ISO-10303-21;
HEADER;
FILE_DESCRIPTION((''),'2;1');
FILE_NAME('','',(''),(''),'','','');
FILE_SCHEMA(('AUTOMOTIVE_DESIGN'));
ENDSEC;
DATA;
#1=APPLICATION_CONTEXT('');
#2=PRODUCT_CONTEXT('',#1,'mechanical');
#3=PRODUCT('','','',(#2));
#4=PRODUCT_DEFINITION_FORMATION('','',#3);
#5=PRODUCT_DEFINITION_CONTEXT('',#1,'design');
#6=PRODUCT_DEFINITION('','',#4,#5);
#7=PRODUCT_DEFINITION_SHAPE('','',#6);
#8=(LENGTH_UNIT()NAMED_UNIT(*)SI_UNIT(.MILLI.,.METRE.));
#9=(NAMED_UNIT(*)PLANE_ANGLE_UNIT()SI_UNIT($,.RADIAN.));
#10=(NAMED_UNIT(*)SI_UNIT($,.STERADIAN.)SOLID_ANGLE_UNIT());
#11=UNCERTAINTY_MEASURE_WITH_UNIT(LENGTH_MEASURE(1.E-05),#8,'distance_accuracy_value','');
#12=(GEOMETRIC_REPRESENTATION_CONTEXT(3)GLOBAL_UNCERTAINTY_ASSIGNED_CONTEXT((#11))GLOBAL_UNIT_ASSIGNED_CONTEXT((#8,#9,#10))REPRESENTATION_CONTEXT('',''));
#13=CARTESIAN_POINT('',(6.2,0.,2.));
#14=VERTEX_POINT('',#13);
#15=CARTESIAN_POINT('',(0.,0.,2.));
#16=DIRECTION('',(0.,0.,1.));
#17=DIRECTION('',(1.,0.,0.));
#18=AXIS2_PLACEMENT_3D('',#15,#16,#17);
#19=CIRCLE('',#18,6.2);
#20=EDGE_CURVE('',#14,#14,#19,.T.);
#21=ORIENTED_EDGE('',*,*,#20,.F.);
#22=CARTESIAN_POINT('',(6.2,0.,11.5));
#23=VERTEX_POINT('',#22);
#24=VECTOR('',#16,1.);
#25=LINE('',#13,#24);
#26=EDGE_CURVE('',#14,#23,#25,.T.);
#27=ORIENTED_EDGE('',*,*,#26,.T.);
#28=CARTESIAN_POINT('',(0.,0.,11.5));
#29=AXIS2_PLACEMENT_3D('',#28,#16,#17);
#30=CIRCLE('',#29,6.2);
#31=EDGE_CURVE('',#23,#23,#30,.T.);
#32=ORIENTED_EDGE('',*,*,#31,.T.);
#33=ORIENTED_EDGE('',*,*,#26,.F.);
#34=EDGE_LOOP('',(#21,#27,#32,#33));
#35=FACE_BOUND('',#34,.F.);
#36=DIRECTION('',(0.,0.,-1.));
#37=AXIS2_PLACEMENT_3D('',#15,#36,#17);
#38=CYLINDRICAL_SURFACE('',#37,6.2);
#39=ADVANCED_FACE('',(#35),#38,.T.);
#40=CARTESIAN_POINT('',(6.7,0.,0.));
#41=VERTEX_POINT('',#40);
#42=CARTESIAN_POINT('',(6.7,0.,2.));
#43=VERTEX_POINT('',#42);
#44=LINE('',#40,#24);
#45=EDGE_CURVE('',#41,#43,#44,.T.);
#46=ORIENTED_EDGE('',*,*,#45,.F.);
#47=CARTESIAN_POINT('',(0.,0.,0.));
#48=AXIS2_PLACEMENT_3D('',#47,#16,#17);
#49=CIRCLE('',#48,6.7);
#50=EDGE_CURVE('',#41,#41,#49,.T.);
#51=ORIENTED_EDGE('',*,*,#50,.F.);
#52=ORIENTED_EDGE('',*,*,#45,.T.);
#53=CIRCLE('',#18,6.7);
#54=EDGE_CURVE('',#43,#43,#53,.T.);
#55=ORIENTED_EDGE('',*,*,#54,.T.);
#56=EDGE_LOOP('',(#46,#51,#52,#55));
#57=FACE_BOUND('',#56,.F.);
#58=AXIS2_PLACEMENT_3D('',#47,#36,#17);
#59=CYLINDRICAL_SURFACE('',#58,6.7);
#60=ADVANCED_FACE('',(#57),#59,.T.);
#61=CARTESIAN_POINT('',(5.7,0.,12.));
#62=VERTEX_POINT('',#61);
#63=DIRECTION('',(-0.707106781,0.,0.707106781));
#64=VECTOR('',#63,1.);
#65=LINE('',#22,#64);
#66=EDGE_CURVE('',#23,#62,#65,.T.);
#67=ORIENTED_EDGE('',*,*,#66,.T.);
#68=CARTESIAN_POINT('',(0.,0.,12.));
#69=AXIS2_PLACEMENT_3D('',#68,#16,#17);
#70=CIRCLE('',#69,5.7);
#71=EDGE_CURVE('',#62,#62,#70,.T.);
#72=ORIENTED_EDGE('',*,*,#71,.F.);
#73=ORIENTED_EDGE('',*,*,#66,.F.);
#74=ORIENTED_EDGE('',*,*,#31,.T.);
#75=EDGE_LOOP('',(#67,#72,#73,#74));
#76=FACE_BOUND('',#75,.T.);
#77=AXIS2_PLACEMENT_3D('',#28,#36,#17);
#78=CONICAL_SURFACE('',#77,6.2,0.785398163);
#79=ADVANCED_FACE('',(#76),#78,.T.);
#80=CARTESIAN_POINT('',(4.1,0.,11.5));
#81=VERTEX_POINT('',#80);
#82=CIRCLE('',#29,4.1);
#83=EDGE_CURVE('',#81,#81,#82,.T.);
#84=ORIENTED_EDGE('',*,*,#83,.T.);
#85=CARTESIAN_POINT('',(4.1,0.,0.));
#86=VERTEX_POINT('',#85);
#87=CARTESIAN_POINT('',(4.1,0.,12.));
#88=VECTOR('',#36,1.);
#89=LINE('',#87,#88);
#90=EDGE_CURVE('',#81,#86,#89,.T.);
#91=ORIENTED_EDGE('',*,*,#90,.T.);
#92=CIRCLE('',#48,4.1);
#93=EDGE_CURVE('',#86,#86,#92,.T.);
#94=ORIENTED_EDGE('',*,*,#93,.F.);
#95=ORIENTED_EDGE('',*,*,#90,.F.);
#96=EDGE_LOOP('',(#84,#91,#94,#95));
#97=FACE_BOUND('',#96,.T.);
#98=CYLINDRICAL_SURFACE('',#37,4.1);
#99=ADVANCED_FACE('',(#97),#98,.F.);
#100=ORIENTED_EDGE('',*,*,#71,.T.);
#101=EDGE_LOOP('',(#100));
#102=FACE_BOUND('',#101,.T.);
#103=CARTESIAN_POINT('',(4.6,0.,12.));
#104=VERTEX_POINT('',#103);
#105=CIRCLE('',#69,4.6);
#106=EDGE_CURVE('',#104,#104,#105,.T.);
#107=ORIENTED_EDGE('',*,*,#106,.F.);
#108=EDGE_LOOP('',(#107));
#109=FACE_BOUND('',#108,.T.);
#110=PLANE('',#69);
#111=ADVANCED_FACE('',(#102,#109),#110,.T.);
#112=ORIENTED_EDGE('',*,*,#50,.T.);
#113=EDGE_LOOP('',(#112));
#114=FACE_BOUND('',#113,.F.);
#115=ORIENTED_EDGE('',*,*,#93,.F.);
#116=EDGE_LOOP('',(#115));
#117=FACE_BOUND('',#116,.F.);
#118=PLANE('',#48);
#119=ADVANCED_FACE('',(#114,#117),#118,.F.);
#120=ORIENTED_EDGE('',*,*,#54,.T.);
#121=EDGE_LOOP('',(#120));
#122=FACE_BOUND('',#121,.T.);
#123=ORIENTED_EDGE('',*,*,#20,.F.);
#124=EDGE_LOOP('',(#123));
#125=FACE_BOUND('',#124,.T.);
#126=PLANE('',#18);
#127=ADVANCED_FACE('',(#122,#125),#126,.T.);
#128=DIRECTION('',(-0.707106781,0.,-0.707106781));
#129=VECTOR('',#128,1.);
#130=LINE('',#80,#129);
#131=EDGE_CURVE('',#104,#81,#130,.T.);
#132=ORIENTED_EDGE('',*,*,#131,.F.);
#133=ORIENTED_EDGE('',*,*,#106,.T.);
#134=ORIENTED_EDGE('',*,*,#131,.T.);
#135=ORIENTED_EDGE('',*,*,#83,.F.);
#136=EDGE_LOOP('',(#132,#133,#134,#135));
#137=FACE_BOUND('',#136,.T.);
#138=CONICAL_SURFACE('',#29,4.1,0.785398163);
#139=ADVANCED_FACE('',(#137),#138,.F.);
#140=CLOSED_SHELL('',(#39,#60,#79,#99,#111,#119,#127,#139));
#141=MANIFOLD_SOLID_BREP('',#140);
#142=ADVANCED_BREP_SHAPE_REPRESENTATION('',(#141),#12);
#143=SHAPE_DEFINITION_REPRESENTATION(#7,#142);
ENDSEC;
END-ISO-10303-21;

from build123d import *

# Parameters (mm, degrees)
F0_R     = 6.7
F0_R_2   = 4.1
F1_DEPTH = 2
F2_R     = 6.2
F2_R_2   = 4.1
F3_DEPTH = 10
F4_SIZE  = 0.5


with BuildPart() as f1:
    # F0 (on Top) → F1 (new body)
    with BuildSketch(Plane.XY):
        Circle(F0_R)
        Circle(F0_R_2, mode=Mode.SUBTRACT)
    extrude(amount=F1_DEPTH)

    # F2 (on face) → F3 (join)
    with BuildSketch(Plane.XY.offset(2)):
        Circle(F2_R)
        Circle(F2_R_2, mode=Mode.SUBTRACT)
    extrude(amount=F3_DEPTH)

    # F4
    f4_edges = [f1.edges().sort_by_distance(p)[0] for p in [
        (-4.1, 0, 12),
        (-6.2, 0, 12),
    ]]
    chamfer(f4_edges, length=F4_SIZE)


solid = f1.part
